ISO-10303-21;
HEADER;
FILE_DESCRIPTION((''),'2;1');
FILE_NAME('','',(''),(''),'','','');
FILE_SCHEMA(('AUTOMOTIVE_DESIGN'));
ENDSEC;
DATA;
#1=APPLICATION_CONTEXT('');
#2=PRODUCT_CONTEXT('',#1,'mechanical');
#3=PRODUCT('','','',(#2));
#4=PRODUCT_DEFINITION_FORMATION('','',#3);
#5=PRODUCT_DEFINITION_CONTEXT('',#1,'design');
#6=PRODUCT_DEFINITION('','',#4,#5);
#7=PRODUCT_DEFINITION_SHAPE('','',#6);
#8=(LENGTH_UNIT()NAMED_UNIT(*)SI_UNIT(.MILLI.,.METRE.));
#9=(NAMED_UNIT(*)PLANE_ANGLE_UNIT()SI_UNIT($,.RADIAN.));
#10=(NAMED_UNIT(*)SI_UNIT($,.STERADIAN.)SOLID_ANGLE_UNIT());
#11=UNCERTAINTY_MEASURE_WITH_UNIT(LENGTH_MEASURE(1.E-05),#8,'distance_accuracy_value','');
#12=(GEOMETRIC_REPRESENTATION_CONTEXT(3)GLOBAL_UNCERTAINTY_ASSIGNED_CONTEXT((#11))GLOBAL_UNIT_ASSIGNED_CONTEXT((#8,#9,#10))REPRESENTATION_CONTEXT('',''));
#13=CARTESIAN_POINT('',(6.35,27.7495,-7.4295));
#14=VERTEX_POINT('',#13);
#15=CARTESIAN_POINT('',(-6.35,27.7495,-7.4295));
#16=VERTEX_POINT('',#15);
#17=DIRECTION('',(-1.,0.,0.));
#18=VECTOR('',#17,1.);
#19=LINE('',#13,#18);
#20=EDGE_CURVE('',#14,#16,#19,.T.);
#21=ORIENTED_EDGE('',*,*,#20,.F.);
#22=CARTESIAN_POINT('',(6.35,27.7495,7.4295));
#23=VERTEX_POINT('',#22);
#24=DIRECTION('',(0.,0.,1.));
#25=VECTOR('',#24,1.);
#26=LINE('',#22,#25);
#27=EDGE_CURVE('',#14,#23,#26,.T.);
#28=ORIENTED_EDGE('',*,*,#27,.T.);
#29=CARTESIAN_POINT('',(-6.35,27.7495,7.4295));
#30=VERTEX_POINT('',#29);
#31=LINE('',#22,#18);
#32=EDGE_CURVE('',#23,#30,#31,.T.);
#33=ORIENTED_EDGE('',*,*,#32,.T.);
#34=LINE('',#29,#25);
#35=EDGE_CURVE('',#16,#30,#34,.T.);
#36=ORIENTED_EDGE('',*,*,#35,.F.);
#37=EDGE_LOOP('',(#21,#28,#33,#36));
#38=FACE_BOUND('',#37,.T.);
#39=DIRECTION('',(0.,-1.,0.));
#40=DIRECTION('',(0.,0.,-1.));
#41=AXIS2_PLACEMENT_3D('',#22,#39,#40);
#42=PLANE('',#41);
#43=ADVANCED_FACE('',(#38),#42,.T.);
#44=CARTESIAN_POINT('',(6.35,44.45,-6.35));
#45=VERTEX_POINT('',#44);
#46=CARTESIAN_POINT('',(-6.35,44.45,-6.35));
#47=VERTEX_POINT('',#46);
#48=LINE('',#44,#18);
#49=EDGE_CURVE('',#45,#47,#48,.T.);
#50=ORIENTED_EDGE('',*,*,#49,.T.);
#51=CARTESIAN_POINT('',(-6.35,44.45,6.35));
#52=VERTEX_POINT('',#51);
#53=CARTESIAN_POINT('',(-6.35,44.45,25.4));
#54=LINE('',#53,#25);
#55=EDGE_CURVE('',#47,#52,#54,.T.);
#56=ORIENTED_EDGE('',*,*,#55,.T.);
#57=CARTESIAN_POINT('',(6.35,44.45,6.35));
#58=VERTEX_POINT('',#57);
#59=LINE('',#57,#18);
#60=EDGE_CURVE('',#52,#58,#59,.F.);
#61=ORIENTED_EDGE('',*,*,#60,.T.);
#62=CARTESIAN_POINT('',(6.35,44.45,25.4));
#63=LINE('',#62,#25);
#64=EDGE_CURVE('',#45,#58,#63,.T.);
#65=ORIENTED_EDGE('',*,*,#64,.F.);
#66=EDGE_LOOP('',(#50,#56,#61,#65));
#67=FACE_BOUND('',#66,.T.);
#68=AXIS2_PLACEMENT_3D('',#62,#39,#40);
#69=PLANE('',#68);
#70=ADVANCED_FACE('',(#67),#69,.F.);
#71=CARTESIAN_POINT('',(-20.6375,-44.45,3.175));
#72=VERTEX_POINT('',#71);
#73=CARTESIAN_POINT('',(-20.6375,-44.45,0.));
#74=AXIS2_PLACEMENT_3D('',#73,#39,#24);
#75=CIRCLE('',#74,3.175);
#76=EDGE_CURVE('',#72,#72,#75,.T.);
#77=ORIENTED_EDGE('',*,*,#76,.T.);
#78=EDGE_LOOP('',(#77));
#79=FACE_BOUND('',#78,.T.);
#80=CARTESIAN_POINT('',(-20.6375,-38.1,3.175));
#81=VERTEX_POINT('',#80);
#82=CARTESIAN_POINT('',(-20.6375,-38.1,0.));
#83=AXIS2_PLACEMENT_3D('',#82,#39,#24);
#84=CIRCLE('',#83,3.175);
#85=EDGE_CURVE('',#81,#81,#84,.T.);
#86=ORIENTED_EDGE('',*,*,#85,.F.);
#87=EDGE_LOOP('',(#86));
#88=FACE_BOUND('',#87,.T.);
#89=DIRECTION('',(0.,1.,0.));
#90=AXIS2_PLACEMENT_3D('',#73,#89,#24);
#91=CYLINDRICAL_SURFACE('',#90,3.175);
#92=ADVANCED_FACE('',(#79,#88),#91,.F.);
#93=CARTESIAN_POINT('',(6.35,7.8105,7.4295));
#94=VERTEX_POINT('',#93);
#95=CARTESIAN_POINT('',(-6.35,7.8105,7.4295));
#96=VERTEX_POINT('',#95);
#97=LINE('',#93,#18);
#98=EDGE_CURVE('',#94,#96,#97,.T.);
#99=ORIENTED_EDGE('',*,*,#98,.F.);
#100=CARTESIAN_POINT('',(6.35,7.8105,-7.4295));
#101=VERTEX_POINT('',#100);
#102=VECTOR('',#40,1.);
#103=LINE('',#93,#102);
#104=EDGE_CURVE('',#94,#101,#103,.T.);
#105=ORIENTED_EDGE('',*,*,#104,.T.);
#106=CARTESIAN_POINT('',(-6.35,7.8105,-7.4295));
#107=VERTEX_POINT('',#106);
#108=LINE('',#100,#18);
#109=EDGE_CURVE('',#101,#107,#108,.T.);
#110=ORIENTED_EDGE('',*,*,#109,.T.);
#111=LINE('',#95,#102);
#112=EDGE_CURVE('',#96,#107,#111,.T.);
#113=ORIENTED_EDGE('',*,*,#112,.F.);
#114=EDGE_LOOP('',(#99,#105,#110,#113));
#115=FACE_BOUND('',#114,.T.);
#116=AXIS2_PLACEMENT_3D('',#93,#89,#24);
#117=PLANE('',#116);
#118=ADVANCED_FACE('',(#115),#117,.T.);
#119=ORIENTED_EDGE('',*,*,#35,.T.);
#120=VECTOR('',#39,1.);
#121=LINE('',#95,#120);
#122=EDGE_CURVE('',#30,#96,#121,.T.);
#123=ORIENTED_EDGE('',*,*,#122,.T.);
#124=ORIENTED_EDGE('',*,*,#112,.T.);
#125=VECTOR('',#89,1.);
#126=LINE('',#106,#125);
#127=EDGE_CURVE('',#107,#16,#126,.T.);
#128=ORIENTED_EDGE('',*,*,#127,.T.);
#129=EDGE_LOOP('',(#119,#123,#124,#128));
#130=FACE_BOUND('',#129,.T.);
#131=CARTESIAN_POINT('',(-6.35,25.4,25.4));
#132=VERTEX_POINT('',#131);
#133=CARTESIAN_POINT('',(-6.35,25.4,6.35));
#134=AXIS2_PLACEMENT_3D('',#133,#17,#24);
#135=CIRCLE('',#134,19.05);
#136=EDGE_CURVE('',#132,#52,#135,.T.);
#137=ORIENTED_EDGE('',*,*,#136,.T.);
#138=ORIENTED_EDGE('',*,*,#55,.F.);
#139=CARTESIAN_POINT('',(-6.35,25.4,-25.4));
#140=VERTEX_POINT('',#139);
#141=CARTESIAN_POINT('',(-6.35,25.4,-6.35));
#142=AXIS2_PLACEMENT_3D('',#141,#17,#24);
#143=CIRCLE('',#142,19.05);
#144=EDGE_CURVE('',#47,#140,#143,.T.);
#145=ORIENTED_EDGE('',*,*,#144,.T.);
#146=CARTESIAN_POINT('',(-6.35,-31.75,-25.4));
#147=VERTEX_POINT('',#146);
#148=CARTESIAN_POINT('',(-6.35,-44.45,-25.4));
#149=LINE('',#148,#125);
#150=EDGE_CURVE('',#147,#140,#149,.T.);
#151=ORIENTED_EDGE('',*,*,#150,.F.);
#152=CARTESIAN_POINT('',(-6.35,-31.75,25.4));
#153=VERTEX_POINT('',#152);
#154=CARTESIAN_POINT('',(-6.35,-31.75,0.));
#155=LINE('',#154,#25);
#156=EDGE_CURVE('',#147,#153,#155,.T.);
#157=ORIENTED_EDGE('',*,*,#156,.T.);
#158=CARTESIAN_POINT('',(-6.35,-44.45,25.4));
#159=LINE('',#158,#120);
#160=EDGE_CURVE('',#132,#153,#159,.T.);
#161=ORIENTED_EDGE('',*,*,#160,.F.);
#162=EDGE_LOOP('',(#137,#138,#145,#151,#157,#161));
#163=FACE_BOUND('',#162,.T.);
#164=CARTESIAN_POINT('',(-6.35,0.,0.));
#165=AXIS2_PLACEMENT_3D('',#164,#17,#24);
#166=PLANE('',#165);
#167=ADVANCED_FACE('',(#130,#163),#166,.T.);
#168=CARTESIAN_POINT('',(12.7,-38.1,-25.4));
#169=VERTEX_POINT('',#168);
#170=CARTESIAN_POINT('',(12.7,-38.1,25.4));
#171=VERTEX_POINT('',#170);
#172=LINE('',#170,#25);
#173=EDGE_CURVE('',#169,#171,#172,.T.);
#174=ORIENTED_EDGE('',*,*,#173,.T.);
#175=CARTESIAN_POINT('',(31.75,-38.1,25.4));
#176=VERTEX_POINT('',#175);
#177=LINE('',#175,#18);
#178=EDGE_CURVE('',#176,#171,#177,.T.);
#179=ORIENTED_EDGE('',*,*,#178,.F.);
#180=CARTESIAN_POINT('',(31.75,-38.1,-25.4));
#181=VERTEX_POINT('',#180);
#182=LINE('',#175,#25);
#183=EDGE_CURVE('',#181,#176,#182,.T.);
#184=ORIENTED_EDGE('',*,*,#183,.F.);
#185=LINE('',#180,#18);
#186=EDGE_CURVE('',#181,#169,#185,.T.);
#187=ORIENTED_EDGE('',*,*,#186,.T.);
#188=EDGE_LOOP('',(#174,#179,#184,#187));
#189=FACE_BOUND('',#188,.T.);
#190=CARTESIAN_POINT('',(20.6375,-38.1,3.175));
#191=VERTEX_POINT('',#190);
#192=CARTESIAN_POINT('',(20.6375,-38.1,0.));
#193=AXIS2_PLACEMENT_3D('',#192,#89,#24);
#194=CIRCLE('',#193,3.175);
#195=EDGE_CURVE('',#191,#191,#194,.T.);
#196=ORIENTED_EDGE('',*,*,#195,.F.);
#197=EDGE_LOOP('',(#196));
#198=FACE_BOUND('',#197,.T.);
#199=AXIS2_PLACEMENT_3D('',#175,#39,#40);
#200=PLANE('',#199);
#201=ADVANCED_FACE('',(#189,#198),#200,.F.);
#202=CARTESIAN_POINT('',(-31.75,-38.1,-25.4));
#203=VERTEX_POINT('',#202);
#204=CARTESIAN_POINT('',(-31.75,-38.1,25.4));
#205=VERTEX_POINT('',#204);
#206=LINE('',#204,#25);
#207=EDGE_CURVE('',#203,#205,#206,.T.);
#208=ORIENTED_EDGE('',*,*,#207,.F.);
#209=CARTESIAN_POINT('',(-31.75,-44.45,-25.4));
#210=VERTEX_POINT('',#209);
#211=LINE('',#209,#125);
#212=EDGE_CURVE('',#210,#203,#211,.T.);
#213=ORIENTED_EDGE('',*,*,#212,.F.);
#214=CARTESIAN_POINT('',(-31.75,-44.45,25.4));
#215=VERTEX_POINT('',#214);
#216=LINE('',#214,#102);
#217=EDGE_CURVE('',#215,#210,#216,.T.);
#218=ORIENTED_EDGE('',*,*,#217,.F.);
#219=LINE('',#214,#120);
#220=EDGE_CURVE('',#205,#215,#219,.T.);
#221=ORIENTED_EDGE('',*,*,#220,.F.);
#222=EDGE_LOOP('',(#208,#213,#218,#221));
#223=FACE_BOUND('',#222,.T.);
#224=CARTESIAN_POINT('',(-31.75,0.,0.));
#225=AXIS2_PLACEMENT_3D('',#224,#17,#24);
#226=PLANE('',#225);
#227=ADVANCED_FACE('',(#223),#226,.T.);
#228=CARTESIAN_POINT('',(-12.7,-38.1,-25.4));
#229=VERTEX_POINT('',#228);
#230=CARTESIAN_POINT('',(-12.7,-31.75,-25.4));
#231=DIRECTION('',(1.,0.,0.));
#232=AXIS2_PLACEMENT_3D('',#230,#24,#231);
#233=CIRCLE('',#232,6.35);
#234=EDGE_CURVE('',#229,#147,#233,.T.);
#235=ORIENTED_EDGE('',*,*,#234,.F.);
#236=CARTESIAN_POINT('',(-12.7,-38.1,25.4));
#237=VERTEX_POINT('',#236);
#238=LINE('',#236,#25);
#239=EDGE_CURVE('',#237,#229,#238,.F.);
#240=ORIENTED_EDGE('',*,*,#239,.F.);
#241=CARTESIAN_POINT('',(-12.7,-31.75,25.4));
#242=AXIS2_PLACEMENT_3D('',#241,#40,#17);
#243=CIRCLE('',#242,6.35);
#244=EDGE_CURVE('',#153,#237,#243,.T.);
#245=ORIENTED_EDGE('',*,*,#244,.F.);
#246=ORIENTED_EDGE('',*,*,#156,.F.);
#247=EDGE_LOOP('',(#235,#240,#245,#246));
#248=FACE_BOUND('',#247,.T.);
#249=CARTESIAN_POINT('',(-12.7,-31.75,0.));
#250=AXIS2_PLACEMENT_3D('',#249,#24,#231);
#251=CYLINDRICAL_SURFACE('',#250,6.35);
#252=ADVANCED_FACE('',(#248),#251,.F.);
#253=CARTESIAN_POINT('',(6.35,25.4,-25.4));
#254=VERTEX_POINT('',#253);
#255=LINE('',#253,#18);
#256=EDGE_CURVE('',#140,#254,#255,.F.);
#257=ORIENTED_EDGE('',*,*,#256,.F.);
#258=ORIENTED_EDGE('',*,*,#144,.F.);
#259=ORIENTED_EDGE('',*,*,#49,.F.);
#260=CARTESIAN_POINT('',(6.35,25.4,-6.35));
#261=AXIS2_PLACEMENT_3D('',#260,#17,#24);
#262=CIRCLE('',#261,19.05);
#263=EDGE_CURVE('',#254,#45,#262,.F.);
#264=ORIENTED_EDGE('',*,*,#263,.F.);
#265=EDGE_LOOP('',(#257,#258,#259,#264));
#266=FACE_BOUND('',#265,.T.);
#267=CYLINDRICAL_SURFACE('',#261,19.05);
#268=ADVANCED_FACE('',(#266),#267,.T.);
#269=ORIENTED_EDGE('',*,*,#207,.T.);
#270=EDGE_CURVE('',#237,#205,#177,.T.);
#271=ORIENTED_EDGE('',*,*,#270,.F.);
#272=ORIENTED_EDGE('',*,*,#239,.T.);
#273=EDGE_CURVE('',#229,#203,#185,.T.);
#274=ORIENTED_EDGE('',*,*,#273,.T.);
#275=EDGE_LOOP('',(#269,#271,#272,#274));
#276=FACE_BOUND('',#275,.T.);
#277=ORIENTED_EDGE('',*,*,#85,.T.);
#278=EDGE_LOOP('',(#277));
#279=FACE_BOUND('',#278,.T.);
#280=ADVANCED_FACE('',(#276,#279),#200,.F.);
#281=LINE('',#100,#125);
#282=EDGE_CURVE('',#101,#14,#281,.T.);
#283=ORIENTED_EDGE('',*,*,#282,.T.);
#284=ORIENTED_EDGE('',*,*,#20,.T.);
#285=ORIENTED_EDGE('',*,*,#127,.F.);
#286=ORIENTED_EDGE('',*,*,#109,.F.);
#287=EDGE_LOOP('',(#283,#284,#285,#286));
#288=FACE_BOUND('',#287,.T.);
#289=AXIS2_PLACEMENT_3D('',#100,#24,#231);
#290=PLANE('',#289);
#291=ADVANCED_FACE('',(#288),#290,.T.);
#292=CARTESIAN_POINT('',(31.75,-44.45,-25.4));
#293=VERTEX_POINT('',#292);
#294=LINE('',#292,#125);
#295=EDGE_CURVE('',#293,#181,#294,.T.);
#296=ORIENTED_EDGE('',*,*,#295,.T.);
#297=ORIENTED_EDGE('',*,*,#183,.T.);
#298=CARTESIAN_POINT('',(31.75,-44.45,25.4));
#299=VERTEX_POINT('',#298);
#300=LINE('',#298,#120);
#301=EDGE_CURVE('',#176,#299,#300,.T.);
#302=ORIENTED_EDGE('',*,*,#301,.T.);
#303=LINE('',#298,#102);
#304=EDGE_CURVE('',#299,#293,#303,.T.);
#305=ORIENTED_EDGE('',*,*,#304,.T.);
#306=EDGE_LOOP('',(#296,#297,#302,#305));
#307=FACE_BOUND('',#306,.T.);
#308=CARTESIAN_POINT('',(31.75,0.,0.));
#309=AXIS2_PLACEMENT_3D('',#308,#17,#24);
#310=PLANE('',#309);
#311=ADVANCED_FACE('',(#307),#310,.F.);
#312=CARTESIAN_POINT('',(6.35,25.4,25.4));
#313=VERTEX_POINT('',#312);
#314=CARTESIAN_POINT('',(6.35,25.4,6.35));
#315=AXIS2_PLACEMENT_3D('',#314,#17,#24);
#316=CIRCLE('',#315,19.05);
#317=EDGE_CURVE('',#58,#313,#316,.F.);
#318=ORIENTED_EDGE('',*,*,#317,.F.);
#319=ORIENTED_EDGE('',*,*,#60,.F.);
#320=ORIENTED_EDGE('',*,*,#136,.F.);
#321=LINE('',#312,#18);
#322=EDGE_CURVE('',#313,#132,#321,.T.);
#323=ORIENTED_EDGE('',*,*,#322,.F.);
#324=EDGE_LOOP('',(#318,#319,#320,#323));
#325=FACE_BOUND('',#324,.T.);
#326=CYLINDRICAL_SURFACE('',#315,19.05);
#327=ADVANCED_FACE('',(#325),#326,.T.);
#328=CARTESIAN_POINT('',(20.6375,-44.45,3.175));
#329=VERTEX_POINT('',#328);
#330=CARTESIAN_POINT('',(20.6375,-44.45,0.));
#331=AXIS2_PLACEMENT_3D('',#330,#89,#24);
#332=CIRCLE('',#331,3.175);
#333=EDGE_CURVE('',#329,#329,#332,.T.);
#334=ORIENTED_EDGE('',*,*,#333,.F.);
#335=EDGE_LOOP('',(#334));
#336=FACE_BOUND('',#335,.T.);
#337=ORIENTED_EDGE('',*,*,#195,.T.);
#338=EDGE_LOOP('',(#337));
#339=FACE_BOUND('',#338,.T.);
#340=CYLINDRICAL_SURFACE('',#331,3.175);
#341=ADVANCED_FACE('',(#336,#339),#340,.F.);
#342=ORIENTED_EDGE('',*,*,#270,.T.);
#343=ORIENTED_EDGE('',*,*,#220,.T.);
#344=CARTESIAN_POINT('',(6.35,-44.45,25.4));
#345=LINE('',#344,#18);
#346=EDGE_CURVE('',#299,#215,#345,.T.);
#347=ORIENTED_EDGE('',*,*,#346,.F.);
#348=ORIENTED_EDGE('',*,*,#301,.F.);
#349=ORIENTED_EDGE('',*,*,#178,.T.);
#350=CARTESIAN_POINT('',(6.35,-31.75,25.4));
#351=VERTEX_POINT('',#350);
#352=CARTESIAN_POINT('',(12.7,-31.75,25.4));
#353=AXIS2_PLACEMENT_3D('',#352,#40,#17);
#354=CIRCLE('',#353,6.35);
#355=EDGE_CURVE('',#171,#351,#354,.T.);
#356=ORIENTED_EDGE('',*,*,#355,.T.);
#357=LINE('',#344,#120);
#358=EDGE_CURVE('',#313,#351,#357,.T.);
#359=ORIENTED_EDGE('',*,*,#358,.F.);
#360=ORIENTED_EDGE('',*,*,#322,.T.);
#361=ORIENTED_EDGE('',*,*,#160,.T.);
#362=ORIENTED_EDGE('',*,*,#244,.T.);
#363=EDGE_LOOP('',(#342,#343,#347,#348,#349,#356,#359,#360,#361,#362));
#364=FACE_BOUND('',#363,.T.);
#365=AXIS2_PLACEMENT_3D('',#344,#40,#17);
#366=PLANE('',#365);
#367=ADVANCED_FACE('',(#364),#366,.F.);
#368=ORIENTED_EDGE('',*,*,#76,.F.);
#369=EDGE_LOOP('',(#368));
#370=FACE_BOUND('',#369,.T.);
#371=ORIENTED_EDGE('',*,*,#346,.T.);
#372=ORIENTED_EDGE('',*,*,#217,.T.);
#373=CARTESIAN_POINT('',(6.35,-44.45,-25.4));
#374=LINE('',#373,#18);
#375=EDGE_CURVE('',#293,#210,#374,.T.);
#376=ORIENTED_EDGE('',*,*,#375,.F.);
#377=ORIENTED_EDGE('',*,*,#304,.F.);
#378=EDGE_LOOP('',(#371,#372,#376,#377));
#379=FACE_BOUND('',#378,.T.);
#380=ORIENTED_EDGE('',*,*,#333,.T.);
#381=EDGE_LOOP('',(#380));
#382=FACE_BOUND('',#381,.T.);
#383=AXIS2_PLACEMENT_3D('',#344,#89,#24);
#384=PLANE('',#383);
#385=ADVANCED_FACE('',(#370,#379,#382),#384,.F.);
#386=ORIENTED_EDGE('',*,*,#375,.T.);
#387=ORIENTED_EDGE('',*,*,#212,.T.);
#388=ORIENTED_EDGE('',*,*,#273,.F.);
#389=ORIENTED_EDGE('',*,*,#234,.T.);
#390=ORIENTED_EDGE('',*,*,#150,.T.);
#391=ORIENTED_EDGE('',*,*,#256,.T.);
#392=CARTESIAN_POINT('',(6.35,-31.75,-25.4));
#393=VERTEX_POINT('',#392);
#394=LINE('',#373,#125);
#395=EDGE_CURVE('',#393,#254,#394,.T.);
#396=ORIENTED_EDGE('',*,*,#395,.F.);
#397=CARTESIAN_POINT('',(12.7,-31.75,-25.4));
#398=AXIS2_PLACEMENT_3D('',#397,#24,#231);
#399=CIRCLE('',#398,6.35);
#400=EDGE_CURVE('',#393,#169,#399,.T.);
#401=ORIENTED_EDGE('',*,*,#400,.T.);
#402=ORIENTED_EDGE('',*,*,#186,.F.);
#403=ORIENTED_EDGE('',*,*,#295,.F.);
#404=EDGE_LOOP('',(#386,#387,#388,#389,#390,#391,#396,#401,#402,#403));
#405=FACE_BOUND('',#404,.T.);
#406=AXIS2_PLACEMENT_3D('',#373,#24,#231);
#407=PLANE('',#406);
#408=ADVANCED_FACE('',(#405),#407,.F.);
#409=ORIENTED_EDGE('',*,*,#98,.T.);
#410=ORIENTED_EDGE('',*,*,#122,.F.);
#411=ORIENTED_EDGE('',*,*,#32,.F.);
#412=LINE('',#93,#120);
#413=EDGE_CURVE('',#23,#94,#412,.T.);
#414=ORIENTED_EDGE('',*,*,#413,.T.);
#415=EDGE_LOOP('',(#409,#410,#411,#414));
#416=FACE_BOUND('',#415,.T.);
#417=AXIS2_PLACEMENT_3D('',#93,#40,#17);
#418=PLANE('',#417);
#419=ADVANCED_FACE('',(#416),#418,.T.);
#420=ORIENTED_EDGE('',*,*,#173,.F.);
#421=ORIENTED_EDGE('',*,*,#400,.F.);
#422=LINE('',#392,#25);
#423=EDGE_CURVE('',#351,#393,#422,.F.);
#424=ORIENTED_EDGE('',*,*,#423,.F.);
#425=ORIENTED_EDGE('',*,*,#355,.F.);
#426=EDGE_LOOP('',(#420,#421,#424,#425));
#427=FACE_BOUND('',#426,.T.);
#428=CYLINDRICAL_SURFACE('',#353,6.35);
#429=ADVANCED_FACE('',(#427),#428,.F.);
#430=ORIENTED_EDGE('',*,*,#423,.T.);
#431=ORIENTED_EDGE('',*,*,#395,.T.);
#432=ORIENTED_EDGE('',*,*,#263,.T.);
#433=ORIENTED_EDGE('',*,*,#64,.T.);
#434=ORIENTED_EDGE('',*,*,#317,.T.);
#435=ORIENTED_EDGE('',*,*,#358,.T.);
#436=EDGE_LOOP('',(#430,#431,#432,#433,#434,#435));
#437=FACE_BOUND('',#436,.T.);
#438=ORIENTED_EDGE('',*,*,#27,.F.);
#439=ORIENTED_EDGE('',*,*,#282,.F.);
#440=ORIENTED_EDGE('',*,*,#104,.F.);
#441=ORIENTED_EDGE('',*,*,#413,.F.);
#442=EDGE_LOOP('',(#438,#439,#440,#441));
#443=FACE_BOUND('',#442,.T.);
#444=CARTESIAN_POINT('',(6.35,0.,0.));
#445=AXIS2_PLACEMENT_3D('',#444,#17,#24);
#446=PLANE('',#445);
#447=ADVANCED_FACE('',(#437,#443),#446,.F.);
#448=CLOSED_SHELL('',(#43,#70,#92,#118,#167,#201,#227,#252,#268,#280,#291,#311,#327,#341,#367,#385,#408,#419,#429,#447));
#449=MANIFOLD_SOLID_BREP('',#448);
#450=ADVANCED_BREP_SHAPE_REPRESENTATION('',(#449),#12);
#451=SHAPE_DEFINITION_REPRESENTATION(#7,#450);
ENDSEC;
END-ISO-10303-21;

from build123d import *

# Parameters (mm, degrees)
SKETCH1_W           = 50.8
SKETCH1_H           = 88.9
SKETCH1_W_2         = 14.859
SKETCH1_H_2         = 19.939
BOSS_EXTRUDE1_DEPTH = 6.35
SKETCH2_W           = 50.8
SKETCH2_H           = 6.35
BOSS_EXTRUDE2_DEPTH = 31.75
FILLET1_R           = 6.35
SKETCH3_R           = 3.175
CUT_EXTRUDE1_DEPTH  = 93.020242338
FILLET2_R           = 19.05


with BuildPart() as part:
    # Sketch1 → Boss-Extrude1 (new, symmetric)
    with BuildSketch(Plane(origin=(0, 0, 0), x_dir=(0, 0, -1), z_dir=(1, 0, 0))):
        Rectangle(SKETCH1_W, SKETCH1_H)
        with Locations((0, 17.78)):
            Rectangle(SKETCH1_W_2, SKETCH1_H_2, mode=Mode.SUBTRACT)
    extrude(amount=BOSS_EXTRUDE1_DEPTH, both=True)

    # Sketch2 → Boss-Extrude2 (add, symmetric)
    with BuildSketch(Plane(origin=(0, 0, 0), x_dir=(0, 0, -1), z_dir=(1, 0, 0))):
        with Locations((0, -41.275)):
            Rectangle(SKETCH2_W, SKETCH2_H)
    extrude(amount=BOSS_EXTRUDE2_DEPTH, both=True)

    # Fillet1
    fillet1_edges = [part.edges().sort_by_distance(p)[0] for p in [
        (6.35, -38.1, 0),
        (-6.35, -38.1, 0),
    ]]
    fillet(fillet1_edges, radius=FILLET1_R)

    # Sketch3 → Cut-Extrude1 (cut, through all)
    with BuildSketch(Plane(origin=(0, -38.1, 0), x_dir=(1, 0, 0), z_dir=(0, 1, 0))):
        with Locations(Location((20.6375, 0, 0), (0, 0, 270))):
            Circle(SKETCH3_R)
    cut_extrude1 = extrude(amount=-CUT_EXTRUDE1_DEPTH, mode=Mode.SUBTRACT)

    # Mirror1: Cut-Extrude1 across plane
    add(cut_extrude1.mirror(Plane(origin=(0, 0, 0), x_dir=(0, 0, 1), z_dir=(1, 0, 0))), mode=Mode.SUBTRACT)

    # Fillet2
    fillet2_edges = [part.edges().sort_by_distance(p)[0] for p in [
        (0, 44.45, 25.4),
        (0, 44.45, -25.4),
    ]]
    fillet(fillet2_edges, radius=FILLET2_R)


solid = part.part
